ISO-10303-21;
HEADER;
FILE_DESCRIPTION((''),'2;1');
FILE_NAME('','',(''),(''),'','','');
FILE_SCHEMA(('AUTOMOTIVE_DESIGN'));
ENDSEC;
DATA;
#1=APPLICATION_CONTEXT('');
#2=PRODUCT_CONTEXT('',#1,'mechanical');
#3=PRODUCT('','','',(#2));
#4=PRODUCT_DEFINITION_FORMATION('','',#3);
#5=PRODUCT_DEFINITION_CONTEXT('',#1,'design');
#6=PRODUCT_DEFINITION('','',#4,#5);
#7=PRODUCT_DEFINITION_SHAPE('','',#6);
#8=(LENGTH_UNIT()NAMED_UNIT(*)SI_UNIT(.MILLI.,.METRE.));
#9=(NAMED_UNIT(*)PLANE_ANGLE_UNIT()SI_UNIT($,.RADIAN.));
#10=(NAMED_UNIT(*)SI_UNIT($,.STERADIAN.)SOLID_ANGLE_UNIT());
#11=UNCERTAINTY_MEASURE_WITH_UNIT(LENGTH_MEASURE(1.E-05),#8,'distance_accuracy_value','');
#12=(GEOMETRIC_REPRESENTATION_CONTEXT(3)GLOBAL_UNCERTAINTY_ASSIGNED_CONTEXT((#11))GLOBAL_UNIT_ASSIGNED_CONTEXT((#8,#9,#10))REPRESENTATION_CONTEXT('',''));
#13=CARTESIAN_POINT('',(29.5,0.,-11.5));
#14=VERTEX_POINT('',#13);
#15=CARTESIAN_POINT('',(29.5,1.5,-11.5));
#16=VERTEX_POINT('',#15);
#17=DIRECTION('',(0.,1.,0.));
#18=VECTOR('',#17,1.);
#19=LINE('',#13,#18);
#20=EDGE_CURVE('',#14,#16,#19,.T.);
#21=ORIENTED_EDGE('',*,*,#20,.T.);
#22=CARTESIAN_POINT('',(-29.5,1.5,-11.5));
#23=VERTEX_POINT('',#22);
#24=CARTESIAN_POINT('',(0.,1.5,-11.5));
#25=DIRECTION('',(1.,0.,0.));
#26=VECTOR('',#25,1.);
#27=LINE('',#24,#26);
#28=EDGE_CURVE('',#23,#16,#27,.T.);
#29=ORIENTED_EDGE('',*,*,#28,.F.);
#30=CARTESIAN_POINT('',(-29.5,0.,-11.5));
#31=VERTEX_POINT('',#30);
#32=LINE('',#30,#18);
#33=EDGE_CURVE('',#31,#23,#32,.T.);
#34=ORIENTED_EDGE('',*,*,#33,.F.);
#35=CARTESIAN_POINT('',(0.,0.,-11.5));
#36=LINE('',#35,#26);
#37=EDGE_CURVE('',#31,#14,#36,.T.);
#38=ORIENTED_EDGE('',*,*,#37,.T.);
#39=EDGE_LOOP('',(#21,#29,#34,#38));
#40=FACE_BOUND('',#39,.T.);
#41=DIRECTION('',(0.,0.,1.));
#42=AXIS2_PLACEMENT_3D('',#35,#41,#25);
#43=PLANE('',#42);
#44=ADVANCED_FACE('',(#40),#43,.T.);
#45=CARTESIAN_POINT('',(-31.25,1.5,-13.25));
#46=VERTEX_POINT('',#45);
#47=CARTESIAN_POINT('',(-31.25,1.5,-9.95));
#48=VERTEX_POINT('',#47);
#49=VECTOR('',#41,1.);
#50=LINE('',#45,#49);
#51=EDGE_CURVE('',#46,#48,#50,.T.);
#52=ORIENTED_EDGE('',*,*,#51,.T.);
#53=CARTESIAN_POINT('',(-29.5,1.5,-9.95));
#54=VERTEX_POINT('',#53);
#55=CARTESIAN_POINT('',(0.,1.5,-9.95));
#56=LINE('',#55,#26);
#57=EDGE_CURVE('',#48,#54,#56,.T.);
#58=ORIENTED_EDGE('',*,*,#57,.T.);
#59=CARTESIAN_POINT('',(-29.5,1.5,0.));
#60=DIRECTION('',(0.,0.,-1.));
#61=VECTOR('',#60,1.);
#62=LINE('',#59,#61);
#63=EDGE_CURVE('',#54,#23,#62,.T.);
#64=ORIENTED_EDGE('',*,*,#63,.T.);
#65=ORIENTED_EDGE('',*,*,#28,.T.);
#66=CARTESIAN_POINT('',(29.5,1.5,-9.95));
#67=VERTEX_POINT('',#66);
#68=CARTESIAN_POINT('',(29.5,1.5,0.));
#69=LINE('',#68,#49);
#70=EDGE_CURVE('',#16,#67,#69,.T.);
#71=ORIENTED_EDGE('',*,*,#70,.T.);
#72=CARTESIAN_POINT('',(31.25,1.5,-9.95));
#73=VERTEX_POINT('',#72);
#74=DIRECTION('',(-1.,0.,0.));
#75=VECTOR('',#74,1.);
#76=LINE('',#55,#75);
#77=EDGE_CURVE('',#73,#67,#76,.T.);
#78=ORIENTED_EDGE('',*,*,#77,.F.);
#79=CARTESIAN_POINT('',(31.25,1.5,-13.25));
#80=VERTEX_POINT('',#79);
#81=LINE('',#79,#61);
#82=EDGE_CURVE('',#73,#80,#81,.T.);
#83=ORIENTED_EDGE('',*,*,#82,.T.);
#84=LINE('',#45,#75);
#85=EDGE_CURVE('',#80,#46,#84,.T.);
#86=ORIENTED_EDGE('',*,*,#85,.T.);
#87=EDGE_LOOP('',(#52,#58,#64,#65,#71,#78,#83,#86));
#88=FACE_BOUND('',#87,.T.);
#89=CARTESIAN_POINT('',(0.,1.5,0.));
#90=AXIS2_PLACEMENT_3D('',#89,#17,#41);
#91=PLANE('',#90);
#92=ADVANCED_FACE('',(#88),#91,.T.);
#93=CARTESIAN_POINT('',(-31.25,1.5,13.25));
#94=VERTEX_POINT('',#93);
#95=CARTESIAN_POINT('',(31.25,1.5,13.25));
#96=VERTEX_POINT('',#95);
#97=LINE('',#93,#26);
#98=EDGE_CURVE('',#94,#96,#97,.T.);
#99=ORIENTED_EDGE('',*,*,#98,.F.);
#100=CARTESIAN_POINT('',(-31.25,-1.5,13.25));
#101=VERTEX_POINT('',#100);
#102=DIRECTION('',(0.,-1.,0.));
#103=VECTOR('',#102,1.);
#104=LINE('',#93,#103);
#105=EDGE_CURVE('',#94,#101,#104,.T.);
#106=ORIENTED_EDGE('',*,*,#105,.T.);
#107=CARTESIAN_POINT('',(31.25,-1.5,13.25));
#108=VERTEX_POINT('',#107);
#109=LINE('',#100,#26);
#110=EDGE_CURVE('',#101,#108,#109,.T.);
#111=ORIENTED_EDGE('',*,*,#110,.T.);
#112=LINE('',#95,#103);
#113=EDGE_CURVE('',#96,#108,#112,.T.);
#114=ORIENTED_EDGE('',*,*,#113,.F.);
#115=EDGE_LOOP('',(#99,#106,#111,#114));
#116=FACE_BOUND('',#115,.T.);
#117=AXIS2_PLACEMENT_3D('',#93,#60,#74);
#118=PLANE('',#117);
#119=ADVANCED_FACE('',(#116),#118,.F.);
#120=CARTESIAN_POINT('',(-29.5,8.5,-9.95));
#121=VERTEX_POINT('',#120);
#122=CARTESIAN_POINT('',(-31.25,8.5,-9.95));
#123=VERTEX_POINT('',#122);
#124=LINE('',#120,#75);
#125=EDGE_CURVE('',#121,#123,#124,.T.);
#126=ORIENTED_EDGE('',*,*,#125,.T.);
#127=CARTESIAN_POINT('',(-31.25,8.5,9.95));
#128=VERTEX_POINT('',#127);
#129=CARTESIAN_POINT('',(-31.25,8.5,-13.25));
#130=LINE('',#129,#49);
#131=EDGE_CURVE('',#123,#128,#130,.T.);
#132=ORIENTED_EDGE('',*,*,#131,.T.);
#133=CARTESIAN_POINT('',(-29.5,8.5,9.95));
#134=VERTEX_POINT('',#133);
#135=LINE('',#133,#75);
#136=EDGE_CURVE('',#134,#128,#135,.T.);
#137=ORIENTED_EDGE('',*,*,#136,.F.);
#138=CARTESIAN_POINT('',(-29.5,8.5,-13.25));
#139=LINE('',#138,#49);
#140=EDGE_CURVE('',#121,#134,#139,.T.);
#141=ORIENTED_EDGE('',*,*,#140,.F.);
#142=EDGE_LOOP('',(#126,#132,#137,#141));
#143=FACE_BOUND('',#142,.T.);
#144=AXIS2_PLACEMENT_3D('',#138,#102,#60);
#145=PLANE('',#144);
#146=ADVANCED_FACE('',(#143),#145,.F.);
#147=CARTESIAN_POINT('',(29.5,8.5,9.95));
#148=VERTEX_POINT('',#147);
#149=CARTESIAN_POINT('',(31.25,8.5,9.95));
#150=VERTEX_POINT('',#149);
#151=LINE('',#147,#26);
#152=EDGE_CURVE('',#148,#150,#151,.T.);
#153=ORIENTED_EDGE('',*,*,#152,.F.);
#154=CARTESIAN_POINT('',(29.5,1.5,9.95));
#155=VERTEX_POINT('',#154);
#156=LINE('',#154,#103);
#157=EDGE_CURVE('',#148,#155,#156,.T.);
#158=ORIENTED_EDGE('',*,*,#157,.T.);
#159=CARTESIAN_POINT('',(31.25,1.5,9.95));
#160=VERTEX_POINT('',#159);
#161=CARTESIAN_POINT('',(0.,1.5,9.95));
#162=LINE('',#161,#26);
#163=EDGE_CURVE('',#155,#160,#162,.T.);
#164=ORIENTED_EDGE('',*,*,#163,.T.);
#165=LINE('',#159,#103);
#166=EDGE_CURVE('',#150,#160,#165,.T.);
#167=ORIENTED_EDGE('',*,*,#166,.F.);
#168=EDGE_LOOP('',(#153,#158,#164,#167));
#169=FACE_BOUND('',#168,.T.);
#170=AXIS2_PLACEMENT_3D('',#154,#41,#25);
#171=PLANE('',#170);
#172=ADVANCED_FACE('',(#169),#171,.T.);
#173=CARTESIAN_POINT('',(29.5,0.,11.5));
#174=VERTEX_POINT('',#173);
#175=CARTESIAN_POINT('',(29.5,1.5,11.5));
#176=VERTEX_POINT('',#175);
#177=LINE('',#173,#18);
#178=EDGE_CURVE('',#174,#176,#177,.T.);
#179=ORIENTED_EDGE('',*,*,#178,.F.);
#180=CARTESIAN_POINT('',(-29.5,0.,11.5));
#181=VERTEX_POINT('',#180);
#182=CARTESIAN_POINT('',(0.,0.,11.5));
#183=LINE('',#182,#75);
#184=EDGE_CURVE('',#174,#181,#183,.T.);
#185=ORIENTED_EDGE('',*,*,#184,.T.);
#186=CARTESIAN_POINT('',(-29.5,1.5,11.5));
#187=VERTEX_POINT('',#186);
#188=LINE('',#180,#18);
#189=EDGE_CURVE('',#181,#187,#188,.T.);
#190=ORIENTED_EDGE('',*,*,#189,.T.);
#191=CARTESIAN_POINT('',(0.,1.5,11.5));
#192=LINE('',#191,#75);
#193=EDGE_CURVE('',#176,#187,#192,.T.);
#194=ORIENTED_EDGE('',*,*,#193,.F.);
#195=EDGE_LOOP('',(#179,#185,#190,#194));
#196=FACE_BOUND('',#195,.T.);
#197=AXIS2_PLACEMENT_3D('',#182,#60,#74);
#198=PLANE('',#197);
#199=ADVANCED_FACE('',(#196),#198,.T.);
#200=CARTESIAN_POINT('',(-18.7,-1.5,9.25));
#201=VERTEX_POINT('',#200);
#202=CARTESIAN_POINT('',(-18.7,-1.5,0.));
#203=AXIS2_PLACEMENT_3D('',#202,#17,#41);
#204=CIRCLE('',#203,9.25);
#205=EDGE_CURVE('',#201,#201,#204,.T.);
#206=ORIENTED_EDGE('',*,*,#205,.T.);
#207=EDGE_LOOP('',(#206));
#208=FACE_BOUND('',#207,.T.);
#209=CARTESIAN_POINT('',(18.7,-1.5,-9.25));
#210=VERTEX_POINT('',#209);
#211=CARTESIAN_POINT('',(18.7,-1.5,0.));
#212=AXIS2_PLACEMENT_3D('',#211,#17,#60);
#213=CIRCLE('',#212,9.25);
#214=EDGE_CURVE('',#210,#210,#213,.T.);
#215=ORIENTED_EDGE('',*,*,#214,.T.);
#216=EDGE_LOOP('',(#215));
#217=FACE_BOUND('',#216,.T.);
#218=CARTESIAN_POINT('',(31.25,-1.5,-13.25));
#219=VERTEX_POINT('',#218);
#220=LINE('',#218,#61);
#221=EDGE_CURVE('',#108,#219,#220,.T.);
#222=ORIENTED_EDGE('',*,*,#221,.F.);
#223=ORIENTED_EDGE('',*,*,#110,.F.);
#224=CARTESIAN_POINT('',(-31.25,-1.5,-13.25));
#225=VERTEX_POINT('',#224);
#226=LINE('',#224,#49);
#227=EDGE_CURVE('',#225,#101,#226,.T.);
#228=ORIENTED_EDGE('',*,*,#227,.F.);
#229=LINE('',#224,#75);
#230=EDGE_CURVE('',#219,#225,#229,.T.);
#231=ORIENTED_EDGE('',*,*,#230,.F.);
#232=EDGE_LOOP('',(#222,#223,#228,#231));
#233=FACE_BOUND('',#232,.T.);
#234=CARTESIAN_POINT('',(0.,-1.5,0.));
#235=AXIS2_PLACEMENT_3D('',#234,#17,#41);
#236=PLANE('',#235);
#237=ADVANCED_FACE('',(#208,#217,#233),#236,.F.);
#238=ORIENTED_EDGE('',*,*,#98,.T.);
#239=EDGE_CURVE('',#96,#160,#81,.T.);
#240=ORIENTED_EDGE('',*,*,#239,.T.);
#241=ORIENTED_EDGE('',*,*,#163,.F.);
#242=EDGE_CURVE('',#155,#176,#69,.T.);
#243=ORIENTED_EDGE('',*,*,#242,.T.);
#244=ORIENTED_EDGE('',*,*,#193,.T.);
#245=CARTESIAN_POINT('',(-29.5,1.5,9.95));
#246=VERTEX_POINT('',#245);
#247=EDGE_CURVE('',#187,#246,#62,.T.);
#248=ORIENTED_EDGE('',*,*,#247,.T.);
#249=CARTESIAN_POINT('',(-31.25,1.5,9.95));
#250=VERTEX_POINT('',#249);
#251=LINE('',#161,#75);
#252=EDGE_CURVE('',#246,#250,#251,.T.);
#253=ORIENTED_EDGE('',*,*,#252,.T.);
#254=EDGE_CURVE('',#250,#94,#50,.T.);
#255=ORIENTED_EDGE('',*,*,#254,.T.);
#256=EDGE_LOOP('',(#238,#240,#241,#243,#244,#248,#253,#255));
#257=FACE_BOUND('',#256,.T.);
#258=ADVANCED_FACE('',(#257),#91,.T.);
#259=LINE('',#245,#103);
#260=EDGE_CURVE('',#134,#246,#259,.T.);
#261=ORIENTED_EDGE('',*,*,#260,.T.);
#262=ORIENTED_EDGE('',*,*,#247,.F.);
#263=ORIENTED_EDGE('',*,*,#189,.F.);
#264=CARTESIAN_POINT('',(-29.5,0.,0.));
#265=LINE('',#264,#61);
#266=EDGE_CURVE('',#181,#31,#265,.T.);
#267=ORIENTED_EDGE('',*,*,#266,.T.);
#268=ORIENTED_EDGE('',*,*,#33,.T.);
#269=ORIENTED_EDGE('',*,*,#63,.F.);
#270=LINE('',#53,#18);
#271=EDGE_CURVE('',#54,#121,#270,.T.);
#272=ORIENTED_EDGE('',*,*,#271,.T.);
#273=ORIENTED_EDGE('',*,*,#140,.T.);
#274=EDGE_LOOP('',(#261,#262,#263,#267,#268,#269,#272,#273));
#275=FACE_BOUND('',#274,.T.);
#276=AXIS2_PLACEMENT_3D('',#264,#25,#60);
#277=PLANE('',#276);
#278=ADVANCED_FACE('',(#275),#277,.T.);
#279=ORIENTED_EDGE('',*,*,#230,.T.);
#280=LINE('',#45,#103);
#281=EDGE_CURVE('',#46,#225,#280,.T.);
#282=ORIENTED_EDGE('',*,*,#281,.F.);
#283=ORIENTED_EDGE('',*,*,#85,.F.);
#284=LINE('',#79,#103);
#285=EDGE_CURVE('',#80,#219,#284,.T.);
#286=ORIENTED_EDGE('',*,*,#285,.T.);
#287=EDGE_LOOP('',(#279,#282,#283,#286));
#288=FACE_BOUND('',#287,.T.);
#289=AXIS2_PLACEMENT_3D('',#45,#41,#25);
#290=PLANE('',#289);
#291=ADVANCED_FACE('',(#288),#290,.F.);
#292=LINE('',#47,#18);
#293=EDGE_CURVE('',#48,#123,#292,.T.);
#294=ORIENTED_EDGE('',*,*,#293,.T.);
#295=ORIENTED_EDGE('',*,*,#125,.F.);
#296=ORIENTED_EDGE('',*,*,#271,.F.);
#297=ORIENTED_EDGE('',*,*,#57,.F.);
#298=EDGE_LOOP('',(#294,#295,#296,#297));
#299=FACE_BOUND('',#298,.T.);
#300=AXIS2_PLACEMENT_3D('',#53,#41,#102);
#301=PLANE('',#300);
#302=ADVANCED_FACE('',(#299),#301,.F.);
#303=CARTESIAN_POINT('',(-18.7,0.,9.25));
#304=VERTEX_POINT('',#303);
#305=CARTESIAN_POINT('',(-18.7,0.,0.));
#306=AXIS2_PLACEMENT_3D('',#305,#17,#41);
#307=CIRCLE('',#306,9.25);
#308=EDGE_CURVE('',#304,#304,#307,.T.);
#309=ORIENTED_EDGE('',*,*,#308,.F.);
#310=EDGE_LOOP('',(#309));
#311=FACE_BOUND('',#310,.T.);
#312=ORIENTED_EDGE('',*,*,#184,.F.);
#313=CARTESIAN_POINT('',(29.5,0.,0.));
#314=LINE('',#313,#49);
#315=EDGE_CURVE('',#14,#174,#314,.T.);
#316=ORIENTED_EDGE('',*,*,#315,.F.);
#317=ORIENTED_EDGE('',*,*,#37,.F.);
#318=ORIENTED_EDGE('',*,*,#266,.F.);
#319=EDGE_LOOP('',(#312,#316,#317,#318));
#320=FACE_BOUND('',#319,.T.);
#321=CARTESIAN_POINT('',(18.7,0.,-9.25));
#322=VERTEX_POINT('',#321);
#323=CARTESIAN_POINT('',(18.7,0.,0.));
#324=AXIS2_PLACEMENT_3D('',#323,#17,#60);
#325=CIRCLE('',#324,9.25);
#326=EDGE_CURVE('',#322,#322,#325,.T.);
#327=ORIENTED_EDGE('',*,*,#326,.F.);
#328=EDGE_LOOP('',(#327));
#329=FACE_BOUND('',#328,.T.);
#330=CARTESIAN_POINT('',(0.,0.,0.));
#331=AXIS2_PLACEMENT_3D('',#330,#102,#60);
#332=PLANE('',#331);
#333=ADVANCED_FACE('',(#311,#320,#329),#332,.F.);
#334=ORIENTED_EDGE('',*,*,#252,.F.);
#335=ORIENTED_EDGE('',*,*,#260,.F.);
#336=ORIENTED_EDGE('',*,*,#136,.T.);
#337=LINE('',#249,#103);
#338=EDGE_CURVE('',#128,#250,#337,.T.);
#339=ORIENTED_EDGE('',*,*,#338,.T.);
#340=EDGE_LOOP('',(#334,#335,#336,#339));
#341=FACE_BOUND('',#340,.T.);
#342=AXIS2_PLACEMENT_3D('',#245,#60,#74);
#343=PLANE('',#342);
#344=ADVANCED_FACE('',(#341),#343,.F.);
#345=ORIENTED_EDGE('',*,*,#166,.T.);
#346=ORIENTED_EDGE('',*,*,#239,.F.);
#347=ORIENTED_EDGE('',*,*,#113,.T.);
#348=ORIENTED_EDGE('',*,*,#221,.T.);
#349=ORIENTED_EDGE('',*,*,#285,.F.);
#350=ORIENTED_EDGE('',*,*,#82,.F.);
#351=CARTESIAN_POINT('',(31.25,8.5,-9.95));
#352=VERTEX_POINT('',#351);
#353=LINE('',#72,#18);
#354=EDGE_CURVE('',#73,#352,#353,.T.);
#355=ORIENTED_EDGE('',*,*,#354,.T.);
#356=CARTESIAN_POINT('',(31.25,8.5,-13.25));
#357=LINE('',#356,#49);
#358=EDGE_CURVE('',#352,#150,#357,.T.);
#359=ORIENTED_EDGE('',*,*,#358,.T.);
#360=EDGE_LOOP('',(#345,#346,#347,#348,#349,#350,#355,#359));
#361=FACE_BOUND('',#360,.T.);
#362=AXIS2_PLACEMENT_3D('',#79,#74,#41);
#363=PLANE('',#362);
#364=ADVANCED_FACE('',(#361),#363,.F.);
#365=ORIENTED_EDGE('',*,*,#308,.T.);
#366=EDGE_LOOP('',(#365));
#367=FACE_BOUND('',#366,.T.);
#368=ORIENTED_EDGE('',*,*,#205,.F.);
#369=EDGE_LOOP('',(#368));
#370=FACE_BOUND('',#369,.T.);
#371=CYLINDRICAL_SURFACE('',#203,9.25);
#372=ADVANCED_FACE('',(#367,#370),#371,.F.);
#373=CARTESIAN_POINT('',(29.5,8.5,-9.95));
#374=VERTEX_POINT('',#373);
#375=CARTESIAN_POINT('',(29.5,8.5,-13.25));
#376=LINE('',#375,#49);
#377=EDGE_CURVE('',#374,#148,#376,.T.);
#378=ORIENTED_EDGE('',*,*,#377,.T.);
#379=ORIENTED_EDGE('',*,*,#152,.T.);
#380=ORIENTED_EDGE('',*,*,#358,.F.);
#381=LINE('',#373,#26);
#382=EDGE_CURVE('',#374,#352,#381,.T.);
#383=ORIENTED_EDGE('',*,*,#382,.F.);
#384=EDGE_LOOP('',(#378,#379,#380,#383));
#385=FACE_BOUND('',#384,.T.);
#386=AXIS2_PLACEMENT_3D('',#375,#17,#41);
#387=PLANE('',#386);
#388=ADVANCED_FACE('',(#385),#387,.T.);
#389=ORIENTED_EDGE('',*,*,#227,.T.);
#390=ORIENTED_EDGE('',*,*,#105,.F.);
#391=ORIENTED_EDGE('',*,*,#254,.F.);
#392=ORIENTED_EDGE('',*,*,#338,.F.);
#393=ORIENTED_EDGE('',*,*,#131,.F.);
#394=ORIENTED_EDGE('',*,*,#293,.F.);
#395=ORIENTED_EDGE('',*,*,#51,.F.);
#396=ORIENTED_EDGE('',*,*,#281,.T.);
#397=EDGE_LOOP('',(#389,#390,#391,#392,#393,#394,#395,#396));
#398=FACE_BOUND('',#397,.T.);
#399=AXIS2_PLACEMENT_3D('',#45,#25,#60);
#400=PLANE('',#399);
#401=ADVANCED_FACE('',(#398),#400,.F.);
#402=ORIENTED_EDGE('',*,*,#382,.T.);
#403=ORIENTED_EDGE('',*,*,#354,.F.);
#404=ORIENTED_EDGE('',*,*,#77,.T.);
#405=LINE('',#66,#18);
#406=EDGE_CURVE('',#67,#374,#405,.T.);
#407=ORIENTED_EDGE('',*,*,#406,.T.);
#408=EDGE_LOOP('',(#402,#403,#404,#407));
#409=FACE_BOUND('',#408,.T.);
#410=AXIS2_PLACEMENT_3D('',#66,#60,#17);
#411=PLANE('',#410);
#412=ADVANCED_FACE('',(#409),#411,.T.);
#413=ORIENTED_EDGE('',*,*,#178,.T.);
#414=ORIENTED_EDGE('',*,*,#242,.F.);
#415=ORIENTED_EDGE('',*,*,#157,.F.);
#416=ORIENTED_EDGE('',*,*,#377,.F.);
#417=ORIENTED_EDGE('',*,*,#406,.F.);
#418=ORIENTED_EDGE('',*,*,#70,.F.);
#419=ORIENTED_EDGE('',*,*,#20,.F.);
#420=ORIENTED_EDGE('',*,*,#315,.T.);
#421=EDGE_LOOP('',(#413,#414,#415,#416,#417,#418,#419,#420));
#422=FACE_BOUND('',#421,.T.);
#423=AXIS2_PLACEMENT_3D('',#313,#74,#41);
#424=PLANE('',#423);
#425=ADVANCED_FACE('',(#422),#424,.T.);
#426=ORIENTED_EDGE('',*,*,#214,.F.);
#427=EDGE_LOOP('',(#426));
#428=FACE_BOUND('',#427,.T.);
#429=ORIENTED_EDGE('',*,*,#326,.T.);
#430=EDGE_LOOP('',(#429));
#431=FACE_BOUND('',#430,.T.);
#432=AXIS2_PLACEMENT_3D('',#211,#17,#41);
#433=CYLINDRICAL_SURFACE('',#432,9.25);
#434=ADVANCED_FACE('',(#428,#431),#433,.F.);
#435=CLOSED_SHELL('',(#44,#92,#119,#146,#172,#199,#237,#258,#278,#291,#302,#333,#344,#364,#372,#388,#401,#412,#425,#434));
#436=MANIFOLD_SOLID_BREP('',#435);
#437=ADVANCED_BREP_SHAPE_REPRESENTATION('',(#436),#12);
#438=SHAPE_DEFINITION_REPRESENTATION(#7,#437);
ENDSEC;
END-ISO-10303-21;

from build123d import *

# Parameters (mm, degrees)
CROQUIS1_W              = 62.5
CROQUIS1_H              = 26.5
SALIENTE_EXTRUIR1_DEPTH = 1.5
CORTAR_EXTRUIR1_START   = 1.5
CROQUIS4_W              = 59
CROQUIS4_H              = 23
CORTAR_EXTRUIR1_DEPTH   = 1.5
CROQUIS5_R              = 9.25
CORTAR_EXTRUIR2_DEPTH   = 1.5
SALIENTE_EXTRUIR2_START = 31.25
CROQUIS6_W              = 19.9
CROQUIS6_H              = 10
SALIENTE_EXTRUIR2_DEPTH = 1.75
SALIENTE_EXTRUIR3_START = -31.25
CROQUIS6_3_W            = 19.9
CROQUIS6_3_H            = 10
SALIENTE_EXTRUIR3_DEPTH = 1.75


with BuildPart() as part:
    # Croquis1 → Saliente-Extruir1 (new body, symmetric)
    with BuildSketch(Plane(origin=(0, 0, 0), x_dir=(1, 0, 0), z_dir=(0, 1, 0))):
        Rectangle(CROQUIS1_W, CROQUIS1_H)
    extrude(amount=SALIENTE_EXTRUIR1_DEPTH, both=True)

    # Croquis4 → Cortar-Extruir1 (cut)
    with BuildSketch(Plane(origin=(0, 0, 0), x_dir=(1, 0, 0), z_dir=(0, 1, 0)).offset(CORTAR_EXTRUIR1_START)):
        Rectangle(CROQUIS4_W, CROQUIS4_H)
    extrude(amount=-CORTAR_EXTRUIR1_DEPTH, mode=Mode.SUBTRACT)

    # Croquis5 → Cortar-Extruir2 (cut)
    with BuildSketch(Plane(origin=(0, 0, 0), x_dir=(1, 0, 0), z_dir=(0, 1, 0))):
        with Locations((-18.7, 0)):
            Circle(CROQUIS5_R)
        with Locations((18.7, 0)):
            Circle(CROQUIS5_R)
    extrude(amount=-CORTAR_EXTRUIR2_DEPTH, mode=Mode.SUBTRACT)

    # Croquis6 → Saliente-Extruir2 (add)
    with BuildSketch(Plane(origin=(0, 0, 0), x_dir=(0, 0, -1), z_dir=(1, 0, 0)).offset(SALIENTE_EXTRUIR2_START)):
        with Locations((0, 3.5)):
            Rectangle(CROQUIS6_W, CROQUIS6_H)
    extrude(amount=-SALIENTE_EXTRUIR2_DEPTH)

    # Croquis6<3> → Saliente-Extruir3 (add)
    with BuildSketch(Plane(origin=(0, 0, 0), x_dir=(0, 0, -1), z_dir=(1, 0, 0)).offset(SALIENTE_EXTRUIR3_START)):
        with Locations((0, 3.5)):
            Rectangle(CROQUIS6_3_W, CROQUIS6_3_H)
    extrude(amount=SALIENTE_EXTRUIR3_DEPTH)


solid = part.part
